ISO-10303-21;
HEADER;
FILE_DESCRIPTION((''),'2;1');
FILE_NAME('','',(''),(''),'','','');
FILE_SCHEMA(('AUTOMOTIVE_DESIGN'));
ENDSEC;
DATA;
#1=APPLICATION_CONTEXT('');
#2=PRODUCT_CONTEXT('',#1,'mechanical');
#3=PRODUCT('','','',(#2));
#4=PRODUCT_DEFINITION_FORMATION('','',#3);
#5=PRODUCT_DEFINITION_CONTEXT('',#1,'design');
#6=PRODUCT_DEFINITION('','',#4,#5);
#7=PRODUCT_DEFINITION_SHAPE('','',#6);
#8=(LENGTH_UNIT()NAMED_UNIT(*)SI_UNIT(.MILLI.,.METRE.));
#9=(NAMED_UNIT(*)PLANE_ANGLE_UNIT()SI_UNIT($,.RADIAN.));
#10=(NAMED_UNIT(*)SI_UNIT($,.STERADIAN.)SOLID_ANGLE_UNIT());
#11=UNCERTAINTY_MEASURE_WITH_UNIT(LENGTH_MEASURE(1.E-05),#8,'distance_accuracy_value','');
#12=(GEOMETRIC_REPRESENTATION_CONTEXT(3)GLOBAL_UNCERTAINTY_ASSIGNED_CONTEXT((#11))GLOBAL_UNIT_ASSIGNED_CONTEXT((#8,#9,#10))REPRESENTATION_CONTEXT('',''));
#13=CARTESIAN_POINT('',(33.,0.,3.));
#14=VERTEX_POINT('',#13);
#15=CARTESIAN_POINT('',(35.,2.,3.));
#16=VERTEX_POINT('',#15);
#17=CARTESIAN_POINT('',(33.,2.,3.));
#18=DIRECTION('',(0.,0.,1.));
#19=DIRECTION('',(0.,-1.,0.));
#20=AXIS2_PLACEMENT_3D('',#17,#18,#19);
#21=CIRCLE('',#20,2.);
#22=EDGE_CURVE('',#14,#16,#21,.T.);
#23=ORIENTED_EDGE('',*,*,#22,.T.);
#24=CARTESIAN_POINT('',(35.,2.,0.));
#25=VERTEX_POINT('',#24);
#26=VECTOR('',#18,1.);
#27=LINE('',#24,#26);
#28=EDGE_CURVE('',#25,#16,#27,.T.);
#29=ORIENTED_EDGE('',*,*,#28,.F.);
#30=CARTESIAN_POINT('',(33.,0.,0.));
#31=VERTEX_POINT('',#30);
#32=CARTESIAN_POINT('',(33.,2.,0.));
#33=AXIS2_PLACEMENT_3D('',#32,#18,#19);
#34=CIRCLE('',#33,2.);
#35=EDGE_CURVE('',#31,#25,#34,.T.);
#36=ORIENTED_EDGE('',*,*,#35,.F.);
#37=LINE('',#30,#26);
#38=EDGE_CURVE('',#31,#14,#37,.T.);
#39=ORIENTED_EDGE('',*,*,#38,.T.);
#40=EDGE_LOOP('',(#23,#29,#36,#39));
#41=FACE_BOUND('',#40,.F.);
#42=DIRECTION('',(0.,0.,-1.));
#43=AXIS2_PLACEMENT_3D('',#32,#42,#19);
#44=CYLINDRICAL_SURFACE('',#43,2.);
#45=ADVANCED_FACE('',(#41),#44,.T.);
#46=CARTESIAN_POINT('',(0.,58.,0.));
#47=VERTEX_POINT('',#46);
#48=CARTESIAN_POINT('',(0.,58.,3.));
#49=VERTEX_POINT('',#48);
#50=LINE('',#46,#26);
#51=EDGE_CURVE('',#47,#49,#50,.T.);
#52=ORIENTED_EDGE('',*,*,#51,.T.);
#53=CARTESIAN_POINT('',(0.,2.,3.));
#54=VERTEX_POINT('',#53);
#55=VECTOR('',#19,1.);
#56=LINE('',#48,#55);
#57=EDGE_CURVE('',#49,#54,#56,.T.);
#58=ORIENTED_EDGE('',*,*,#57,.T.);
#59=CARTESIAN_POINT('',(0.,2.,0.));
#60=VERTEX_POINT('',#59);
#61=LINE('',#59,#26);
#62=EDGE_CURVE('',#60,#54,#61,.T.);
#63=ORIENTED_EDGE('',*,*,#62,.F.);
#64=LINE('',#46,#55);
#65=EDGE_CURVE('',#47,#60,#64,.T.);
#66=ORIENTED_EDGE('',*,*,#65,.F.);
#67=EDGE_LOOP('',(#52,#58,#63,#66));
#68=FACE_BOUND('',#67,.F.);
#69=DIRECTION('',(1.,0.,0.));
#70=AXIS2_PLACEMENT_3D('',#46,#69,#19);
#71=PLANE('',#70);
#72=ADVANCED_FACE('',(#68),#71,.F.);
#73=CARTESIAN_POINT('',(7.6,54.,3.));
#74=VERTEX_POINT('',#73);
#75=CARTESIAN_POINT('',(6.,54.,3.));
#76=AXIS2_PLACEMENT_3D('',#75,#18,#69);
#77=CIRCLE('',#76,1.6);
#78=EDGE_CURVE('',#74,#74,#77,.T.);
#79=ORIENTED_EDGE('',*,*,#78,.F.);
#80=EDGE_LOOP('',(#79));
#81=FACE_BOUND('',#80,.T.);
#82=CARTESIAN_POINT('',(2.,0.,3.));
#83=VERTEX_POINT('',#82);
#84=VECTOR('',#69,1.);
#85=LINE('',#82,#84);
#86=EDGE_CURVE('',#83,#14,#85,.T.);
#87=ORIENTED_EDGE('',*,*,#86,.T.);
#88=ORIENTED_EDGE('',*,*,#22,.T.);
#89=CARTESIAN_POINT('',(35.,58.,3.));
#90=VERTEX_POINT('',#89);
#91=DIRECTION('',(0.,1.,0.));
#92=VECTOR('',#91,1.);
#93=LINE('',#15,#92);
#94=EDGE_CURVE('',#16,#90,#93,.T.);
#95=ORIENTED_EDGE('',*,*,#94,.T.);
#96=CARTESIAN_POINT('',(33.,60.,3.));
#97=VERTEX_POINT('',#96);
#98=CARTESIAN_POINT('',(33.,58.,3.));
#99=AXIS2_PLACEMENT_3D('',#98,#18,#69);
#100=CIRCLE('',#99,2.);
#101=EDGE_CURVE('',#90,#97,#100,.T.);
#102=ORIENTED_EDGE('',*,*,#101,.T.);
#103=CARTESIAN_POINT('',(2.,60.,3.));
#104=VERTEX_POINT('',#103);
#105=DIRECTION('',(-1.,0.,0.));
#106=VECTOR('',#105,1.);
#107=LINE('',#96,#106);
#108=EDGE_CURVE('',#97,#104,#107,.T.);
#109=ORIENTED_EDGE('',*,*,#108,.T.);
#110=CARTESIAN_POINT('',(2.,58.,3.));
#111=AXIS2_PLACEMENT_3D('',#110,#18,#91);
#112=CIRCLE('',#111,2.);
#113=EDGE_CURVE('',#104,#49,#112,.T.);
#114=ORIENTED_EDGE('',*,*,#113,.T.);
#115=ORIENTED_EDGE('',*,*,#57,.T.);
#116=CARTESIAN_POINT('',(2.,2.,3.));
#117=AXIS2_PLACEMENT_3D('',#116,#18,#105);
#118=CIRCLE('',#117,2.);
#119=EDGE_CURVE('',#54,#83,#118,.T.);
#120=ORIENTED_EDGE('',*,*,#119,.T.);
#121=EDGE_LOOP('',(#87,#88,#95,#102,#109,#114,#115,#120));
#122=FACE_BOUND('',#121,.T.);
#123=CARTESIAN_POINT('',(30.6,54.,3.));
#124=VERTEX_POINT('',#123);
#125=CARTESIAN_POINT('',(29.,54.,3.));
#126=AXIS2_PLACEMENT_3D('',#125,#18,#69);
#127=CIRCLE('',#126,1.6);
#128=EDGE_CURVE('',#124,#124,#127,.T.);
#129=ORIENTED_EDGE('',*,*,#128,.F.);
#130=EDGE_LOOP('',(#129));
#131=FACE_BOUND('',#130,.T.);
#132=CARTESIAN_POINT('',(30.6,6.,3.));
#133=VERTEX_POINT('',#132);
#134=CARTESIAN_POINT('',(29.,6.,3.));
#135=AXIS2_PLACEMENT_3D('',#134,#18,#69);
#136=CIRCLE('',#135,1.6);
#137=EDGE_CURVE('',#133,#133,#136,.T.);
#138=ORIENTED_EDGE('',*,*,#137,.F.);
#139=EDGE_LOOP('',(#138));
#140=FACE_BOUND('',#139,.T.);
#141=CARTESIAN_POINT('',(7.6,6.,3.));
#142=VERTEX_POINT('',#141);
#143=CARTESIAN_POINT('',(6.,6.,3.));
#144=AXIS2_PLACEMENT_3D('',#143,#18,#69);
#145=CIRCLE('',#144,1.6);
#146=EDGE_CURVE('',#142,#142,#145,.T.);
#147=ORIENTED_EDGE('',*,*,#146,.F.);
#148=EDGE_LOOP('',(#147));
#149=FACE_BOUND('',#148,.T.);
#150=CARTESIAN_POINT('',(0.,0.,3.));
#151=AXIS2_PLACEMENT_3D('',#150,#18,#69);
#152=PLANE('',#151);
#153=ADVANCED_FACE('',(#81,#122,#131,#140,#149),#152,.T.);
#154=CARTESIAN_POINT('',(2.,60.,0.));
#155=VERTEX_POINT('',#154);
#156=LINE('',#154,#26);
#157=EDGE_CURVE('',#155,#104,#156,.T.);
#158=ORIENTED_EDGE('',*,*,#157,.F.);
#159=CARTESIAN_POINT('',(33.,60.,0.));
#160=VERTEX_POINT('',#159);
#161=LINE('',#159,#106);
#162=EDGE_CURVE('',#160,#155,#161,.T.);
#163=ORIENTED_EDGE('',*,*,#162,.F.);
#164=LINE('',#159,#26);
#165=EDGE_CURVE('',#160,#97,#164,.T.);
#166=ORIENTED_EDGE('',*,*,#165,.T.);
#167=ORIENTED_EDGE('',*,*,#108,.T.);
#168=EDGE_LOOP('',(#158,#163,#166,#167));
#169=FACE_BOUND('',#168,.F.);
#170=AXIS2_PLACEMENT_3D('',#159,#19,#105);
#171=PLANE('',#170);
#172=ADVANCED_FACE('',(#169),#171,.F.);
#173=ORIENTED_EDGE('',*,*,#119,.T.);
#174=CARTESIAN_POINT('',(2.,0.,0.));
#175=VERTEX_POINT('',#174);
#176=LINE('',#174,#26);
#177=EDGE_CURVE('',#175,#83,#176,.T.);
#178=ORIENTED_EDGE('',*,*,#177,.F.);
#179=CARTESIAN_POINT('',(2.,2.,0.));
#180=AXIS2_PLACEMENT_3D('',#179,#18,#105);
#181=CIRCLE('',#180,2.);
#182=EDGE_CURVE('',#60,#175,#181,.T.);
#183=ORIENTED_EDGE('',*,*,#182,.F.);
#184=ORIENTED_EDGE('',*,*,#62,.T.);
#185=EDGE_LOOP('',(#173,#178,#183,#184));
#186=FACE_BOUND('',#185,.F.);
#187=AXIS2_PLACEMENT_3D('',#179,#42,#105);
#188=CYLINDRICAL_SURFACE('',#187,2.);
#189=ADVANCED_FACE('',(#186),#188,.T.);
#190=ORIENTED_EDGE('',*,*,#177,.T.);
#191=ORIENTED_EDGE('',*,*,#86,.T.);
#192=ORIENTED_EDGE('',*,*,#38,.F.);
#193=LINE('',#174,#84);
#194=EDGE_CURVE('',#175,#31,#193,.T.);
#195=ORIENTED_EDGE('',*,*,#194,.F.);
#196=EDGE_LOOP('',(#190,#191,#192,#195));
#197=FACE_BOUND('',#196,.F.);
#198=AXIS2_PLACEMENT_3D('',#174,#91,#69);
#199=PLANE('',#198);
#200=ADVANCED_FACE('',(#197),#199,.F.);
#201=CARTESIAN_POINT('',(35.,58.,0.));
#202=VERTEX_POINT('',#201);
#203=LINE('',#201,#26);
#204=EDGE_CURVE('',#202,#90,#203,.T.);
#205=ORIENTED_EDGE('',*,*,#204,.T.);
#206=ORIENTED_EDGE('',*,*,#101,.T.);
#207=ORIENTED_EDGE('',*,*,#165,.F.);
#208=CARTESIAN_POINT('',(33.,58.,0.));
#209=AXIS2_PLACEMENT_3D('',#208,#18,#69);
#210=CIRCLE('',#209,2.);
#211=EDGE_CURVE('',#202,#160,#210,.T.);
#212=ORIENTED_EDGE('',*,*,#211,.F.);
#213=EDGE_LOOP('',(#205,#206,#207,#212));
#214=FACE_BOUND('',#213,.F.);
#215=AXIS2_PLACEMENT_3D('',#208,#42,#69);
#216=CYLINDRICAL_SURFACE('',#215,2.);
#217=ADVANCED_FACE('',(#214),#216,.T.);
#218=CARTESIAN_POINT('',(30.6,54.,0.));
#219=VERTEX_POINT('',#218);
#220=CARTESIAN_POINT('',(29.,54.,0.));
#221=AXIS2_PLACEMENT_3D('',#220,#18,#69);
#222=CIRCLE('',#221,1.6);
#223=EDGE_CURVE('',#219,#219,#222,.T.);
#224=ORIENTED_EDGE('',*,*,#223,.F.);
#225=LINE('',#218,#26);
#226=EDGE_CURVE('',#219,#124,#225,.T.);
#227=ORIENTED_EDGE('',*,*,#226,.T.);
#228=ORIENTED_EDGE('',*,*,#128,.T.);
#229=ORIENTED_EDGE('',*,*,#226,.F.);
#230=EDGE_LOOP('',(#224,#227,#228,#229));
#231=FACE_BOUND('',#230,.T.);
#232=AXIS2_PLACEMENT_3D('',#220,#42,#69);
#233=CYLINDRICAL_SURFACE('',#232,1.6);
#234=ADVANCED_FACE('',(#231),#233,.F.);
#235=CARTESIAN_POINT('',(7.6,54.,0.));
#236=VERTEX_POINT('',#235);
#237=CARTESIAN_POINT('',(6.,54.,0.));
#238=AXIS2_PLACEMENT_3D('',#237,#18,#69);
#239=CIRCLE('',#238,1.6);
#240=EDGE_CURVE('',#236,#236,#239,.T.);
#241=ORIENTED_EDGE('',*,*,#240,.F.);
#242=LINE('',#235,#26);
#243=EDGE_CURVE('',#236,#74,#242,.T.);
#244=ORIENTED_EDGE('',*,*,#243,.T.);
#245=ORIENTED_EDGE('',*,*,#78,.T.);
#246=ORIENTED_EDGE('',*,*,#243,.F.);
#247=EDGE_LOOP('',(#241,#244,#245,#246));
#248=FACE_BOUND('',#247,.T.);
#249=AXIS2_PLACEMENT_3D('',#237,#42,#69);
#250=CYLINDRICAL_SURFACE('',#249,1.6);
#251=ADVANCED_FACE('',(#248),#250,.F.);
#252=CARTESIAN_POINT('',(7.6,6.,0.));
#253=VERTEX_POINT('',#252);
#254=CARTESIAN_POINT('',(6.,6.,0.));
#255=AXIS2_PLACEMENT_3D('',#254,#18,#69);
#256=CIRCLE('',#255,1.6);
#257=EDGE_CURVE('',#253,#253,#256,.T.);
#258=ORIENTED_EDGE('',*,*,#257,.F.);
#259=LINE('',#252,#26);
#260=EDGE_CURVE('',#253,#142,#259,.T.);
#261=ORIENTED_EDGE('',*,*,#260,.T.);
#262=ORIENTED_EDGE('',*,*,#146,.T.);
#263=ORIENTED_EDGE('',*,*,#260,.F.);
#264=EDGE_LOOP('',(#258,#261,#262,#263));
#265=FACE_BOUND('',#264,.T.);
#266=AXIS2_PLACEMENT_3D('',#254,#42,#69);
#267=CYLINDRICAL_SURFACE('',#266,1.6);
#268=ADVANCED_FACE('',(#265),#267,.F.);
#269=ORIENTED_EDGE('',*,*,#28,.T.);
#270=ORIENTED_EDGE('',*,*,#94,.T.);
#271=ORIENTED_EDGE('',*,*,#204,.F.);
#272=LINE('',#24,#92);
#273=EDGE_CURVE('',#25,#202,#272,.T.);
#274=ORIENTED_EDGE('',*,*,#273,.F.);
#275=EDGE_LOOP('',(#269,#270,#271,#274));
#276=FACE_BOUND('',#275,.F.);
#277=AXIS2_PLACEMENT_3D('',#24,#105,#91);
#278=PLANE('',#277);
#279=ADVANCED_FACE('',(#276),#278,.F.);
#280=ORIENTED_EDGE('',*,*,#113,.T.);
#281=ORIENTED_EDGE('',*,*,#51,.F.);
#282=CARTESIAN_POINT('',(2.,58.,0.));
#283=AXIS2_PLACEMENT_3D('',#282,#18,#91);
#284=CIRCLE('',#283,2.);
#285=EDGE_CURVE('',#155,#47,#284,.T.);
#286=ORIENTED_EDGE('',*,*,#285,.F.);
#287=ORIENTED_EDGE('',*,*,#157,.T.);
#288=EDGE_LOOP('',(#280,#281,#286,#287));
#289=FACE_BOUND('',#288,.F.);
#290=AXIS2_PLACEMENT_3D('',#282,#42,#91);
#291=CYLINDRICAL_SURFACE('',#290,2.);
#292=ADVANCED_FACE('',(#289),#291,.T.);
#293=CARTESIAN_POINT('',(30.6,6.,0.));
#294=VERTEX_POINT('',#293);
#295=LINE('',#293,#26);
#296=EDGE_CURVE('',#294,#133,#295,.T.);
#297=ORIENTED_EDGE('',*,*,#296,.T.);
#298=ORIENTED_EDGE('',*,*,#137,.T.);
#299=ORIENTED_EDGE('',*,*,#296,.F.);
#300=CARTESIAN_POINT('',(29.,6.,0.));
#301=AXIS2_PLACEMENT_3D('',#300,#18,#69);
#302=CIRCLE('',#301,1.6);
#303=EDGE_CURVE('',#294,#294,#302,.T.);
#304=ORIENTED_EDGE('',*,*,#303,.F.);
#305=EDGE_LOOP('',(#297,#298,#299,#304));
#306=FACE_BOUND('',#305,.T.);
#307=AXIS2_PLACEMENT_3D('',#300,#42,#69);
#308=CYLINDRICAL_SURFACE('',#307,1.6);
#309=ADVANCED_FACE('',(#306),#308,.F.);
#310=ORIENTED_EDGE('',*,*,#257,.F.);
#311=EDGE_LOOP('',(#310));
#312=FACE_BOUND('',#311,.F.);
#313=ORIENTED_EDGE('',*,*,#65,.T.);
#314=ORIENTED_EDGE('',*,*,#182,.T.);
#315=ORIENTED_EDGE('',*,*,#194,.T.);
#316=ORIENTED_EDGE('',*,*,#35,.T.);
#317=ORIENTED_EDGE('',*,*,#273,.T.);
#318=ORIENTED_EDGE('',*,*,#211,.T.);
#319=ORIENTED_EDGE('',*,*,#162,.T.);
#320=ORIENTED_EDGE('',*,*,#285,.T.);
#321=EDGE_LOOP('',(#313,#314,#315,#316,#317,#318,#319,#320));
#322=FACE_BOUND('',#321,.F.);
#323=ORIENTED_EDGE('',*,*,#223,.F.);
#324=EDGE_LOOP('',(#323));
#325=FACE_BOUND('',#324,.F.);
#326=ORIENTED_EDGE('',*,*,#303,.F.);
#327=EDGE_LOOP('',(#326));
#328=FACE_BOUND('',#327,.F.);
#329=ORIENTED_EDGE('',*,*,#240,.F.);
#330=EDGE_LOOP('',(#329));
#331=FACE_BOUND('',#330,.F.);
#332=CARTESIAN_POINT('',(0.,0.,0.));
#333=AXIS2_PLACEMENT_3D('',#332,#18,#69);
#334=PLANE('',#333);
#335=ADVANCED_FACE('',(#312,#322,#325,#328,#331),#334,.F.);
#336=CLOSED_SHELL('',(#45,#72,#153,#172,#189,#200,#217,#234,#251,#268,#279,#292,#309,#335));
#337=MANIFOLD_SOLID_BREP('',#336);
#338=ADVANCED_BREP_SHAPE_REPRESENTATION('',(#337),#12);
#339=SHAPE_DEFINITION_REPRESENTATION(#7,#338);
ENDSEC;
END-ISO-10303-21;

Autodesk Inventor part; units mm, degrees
ref_plane "YZ Plane" through (0, 0, 0) normal (1, 0, 0) x (0, 1, 0)
ref_plane "XZ Plane" through (0, 0, 0) normal (0, 1, 0) x (-1, 0, 0)
ref_plane "XY Plane" through (0, 0, 0) normal (0, 0, 1) x (1, 0, 0)
sketch "Skizze1" plane through (0, 0, 0) normal (0, 0, 1) x (1, 0, 0)
  line L0 (2, 0) -> (33, 0)
  line L1 (35, 2) -> (35, 58)
  line L2 (33, 60) -> (2, 60)
  line L3 (0, 58) -> (0, 2)
  arc A0 (2, 60) -> (0, 58) centre (2, 58) ccw
  arc A1 (0, 2) -> (2, 0) centre (2, 2) ccw
  arc A2 (33, 0) -> (35, 2) centre (33, 2) ccw
  arc A3 (35, 58) -> (33, 60) centre (33, 58) ccw
  circle A4 centre (6, 54) radius 1.6
  circle A5 centre (29, 54) radius 1.6
  circle A6 centre (6, 6) radius 1.6
  circle A7 centre (29, 6) radius 1.6
  point P0 (0, 0)
  dimension "d0" = 60
  dimension "d1" = 35
  dimension "d2" = 2
  dimension "d3" = 3.2
  dimension "d4" = 3.2
  dimension "d5" = 3.2
  dimension "d6" = 3.2
  dimension "d7" = 6
  dimension "d8" = 6
  dimension "d9" = 6
  dimension "d10" = 6
extrude "Extrusion1" add sketch "Skizze1" along normal blind 3
properties part number "103.017.01_Abdeckplatte_Extruderfuehrung" material "PMMA-Kunststoff"
